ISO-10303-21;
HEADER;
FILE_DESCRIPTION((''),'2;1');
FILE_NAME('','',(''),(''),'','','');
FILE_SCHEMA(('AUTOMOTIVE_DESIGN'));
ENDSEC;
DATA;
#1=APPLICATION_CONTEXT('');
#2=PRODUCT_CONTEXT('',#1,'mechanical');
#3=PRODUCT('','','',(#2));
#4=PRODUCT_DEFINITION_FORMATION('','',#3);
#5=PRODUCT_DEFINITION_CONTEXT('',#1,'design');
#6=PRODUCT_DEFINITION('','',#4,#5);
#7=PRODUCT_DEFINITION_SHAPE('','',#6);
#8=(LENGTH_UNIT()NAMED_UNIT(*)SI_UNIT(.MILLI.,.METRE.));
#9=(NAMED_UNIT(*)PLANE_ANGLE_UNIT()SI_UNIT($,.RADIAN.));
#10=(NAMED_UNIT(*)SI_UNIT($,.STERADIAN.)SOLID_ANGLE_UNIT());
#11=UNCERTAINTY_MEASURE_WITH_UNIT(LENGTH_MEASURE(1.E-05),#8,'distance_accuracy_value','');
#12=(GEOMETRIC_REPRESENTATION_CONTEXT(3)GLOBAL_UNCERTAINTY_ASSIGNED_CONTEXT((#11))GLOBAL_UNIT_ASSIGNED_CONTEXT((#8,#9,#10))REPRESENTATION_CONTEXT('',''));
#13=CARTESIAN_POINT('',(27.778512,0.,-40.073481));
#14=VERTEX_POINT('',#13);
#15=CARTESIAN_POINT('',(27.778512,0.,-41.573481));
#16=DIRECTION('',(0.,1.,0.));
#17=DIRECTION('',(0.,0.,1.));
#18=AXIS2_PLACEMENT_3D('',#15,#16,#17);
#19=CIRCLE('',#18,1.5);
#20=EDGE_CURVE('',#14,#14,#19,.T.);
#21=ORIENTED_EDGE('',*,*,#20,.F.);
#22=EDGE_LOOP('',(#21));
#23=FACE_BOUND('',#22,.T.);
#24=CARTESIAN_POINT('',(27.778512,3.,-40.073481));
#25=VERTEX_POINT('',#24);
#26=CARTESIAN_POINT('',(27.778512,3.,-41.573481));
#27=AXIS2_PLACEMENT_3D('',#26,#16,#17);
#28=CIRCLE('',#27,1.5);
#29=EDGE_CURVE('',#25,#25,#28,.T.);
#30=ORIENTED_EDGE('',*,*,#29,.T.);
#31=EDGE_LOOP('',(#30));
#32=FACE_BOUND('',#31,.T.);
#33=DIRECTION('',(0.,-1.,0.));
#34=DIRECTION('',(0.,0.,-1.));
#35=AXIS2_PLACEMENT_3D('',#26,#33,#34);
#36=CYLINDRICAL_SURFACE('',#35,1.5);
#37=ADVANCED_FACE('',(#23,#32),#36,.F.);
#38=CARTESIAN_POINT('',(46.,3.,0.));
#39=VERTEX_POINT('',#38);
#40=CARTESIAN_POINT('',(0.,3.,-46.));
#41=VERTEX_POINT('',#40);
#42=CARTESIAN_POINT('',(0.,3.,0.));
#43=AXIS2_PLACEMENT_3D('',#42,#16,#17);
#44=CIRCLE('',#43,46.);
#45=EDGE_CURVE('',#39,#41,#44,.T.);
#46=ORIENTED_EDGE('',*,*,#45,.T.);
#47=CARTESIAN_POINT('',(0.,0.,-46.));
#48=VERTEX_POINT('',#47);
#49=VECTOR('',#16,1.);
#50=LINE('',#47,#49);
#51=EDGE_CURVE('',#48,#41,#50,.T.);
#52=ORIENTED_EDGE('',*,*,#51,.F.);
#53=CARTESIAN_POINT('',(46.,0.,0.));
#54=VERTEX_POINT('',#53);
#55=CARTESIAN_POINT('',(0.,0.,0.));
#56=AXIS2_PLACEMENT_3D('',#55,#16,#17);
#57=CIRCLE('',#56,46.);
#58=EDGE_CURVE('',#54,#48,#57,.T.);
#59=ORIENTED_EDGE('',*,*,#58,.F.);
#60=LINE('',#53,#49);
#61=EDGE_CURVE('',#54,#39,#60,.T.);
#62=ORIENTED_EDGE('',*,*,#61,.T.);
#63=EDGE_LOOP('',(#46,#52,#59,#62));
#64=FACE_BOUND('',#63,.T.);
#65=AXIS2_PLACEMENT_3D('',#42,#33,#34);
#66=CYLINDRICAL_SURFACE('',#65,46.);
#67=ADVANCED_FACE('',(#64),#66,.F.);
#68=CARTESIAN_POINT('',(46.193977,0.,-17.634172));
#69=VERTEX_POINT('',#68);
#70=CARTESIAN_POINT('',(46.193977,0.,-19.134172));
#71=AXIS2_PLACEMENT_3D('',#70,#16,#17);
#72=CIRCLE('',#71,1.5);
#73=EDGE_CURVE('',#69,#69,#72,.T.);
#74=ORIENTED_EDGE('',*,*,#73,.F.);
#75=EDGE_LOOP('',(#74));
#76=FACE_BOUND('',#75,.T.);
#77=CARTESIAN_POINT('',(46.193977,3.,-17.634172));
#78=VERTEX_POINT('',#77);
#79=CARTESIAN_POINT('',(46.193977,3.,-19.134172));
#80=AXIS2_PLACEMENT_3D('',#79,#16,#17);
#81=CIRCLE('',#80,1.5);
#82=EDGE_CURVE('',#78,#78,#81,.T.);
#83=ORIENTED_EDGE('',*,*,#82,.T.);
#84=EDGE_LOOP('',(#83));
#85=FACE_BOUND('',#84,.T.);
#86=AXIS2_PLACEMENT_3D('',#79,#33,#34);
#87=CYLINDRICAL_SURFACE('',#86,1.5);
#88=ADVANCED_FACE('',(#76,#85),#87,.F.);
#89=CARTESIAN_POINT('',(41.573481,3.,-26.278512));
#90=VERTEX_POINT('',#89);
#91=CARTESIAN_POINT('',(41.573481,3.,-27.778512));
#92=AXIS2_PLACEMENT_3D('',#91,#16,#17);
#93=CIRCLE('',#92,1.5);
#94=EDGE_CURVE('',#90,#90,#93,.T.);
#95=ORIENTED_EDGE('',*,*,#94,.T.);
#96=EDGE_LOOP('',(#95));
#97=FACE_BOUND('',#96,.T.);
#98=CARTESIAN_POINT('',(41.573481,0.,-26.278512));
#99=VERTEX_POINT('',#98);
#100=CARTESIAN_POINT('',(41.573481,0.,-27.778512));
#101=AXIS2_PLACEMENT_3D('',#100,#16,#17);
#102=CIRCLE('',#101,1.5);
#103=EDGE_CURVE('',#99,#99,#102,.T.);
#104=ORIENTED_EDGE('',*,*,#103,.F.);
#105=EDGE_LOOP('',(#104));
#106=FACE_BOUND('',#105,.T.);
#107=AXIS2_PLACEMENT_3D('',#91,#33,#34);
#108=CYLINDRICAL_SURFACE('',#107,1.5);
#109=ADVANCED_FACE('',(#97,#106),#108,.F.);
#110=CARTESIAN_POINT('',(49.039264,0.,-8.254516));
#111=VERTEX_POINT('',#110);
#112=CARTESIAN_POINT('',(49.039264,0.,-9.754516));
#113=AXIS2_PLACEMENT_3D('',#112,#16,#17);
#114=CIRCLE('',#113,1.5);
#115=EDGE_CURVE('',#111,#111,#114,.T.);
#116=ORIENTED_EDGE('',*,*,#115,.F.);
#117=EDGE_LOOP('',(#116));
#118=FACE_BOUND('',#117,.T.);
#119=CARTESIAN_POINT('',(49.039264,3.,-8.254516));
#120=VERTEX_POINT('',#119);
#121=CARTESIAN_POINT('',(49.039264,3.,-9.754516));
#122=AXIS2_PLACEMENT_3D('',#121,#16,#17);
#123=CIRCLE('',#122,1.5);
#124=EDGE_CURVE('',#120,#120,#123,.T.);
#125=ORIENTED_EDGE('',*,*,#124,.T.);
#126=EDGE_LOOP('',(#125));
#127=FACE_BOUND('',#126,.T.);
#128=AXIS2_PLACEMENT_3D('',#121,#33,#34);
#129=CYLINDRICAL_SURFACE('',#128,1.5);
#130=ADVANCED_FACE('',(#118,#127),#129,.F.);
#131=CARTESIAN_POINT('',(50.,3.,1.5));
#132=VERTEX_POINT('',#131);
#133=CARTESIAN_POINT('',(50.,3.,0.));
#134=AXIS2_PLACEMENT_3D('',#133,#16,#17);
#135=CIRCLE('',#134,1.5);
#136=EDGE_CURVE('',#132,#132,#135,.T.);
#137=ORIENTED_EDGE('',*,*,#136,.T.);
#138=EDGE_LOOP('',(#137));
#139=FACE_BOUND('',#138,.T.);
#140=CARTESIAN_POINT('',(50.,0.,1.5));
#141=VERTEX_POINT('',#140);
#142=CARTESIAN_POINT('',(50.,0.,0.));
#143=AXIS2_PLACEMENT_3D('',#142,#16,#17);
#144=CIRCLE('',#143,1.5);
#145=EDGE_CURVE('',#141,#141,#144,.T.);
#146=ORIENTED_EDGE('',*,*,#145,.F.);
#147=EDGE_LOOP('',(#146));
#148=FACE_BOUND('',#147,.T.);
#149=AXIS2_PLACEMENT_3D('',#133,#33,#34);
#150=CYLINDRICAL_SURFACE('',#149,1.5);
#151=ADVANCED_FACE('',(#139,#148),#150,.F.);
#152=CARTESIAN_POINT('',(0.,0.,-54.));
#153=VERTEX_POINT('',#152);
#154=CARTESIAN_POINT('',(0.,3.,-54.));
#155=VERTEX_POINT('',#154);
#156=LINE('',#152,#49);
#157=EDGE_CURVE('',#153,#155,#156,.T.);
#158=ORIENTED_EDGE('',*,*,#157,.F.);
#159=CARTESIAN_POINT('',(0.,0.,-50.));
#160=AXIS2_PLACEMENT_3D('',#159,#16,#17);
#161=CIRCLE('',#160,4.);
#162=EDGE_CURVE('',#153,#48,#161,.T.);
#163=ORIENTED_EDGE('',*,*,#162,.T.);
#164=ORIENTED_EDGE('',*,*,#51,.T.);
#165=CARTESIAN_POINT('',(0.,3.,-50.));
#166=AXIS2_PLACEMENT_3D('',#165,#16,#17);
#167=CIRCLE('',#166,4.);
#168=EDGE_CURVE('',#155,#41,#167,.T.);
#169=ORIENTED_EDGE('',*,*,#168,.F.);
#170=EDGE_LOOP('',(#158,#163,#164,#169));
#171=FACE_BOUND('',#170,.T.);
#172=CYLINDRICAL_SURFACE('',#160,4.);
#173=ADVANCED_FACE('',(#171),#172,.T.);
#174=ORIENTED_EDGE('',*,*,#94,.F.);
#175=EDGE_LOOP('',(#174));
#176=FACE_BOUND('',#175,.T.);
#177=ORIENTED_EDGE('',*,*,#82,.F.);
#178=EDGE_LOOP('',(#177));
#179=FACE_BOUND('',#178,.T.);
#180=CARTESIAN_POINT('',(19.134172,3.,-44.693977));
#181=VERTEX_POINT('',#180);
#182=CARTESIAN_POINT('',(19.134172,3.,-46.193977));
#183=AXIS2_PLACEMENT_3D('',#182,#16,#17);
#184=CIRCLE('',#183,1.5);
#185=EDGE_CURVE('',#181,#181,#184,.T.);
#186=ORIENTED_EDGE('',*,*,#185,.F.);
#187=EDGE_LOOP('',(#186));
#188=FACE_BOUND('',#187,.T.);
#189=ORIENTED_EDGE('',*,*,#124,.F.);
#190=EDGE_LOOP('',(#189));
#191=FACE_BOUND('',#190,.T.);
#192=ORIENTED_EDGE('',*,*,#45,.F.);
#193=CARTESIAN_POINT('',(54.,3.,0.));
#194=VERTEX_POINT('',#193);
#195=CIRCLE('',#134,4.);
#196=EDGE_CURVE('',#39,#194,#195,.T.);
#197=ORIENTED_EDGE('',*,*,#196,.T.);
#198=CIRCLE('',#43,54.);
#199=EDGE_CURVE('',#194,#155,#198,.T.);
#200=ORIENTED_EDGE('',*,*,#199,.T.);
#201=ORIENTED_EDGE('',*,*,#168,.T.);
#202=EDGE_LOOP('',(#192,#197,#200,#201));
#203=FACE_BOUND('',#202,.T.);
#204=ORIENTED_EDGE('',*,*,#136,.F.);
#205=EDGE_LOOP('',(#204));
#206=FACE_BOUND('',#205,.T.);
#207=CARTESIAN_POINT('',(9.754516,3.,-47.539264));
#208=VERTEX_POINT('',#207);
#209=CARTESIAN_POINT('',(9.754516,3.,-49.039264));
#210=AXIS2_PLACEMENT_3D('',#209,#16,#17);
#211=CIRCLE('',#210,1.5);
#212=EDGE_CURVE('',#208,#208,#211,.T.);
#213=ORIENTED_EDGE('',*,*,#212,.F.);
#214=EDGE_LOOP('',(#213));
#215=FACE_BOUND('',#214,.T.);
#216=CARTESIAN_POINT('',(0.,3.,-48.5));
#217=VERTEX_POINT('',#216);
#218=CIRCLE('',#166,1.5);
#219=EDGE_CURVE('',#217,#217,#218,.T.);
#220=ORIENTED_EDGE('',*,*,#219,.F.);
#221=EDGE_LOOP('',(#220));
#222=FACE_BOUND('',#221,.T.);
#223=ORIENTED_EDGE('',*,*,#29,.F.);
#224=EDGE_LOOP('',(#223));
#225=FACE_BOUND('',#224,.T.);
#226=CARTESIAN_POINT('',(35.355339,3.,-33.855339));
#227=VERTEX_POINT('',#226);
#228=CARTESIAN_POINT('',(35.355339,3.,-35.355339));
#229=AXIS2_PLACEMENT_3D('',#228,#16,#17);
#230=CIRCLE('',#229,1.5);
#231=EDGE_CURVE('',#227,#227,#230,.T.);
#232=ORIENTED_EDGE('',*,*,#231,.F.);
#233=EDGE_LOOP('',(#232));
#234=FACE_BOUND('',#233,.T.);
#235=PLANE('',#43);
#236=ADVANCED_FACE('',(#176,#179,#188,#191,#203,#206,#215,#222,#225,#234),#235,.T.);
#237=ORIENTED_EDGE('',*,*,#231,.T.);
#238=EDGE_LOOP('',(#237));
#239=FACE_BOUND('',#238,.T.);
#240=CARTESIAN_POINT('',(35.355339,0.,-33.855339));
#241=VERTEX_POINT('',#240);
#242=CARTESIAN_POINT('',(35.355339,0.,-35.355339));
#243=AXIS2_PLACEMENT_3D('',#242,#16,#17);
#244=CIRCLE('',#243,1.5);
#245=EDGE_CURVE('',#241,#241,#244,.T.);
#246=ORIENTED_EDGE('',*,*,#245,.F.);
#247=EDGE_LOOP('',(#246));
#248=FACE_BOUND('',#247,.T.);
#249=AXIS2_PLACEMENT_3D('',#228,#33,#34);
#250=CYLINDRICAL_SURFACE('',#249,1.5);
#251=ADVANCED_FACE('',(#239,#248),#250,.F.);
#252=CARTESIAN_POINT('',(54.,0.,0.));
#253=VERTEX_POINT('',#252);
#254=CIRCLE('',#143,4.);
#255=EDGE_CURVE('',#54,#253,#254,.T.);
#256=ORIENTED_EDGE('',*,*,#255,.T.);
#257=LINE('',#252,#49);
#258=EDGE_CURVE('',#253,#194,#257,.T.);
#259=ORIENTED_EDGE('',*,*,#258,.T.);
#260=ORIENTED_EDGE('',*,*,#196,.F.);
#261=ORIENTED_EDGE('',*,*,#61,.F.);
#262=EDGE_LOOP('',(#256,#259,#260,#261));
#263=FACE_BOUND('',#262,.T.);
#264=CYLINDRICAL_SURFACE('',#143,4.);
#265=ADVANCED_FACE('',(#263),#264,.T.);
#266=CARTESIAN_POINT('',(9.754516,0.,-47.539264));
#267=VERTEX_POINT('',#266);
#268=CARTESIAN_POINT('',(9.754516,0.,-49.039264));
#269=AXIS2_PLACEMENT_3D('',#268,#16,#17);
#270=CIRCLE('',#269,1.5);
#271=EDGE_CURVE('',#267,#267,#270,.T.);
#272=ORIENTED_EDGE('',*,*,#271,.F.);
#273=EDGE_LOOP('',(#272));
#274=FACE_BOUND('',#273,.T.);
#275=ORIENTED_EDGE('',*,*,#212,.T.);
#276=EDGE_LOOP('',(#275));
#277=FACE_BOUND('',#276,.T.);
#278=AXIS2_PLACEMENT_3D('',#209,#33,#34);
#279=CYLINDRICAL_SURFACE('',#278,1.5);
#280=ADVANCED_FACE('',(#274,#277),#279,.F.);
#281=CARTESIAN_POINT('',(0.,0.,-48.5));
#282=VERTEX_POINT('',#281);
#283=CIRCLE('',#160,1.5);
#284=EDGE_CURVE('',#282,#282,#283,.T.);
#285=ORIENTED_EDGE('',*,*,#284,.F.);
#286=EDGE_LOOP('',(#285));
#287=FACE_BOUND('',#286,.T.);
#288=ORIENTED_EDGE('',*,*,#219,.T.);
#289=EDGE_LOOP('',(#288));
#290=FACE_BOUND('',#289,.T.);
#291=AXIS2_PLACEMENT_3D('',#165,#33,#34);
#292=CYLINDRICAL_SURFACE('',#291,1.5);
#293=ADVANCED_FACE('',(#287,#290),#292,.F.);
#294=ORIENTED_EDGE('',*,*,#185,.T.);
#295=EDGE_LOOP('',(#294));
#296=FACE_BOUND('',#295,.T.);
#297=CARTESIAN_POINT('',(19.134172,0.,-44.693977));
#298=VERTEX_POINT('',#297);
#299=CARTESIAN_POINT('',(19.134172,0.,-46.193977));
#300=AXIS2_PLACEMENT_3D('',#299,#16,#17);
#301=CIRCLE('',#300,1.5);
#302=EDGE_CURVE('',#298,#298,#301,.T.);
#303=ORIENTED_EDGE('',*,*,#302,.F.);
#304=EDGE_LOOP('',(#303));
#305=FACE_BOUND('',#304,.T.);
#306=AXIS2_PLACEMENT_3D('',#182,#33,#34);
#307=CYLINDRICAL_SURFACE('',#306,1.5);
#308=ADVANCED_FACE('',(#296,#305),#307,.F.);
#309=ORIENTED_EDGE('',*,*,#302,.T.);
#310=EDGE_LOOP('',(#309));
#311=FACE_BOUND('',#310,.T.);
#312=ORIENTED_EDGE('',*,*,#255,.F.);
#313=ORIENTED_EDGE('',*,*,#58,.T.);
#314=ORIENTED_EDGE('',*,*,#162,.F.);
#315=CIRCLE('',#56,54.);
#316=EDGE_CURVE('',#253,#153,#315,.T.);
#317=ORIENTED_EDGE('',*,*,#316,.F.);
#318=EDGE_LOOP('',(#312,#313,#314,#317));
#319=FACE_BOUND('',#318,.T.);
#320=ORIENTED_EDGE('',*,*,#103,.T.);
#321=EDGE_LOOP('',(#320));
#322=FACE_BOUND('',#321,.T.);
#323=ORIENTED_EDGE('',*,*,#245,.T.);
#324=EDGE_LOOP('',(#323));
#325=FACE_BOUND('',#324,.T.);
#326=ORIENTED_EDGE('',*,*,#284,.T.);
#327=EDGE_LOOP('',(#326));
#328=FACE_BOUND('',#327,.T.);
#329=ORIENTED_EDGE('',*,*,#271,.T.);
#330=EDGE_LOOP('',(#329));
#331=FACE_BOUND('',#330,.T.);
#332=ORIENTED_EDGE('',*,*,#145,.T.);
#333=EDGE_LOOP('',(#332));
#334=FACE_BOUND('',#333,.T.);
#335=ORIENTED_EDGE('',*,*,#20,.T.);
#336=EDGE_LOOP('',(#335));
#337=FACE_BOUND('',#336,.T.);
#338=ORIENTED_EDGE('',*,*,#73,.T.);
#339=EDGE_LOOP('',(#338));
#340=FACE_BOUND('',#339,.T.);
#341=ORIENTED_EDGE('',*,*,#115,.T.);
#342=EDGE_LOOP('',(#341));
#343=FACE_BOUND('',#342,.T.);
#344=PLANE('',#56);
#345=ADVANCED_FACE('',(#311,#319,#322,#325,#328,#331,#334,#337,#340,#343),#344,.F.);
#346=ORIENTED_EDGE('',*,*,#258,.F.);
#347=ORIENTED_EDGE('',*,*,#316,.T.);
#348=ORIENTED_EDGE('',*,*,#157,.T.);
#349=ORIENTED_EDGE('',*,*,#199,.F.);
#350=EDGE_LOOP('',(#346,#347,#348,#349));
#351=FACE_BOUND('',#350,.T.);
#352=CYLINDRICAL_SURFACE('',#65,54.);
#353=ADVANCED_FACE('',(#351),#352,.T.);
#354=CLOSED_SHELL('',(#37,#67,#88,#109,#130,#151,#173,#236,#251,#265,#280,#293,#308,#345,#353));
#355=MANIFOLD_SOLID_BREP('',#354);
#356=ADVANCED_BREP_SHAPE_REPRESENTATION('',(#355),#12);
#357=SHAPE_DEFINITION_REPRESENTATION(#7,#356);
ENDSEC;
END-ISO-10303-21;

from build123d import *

# Parameters (mm, degrees)
SKETCH1_R           = 1.5
BOSS_EXTRUDE1_DEPTH = 3
CUT_EXTRUDE1_START  = -3
CUT_EXTRUDE1_DEPTH  = 3


with BuildPart() as part:
    # Sketch1 → Boss-Extrude1 (new body)
    with BuildSketch(Plane(origin=(0, 0, 0), x_dir=(1, 0, 0), z_dir=(0, 1, 0))):
        with BuildLine():
            Line((-5.292925578, 53.73997524), (-4.508788455, 45.778497427))
            ThreePointArc((-4.508788455, 45.778497427), (-2.257113019, 45.944590985), (0, 46))
            ThreePointArc((0, 46), (32.526911935, 32.526911935), (46, 0))
            ThreePointArc((46, 0), (45.944590985, -2.257113019), (45.778497427, -4.508788455))
            Line((45.778497427, -4.508788455), (53.73997524, -5.292925578))
            ThreePointArc((53.73997524, -5.292925578), (53.934954635, -2.649654414), (54, 0))
            ThreePointArc((54, 0), (36.264183562, 40.011360769), (-5.292925578, 53.73997524))
        make_face()
        with Locations(Location((50, 0, 0), (0, 0, 270))):
            Circle(SKETCH1_R, mode=Mode.SUBTRACT)
        with Locations(Location((49.03926402, 9.754516101, 0), (0, 0, 270))):
            Circle(SKETCH1_R, mode=Mode.SUBTRACT)
        with Locations(Location((46.193976626, 19.134171618, 0), (0, 0, 270))):
            Circle(SKETCH1_R, mode=Mode.SUBTRACT)
        with Locations(Location((0, 50, 0), (0, 0, 270))):
            Circle(SKETCH1_R, mode=Mode.SUBTRACT)
        with Locations(Location((9.754516101, 49.03926402, 0), (0, 0, 270))):
            Circle(SKETCH1_R, mode=Mode.SUBTRACT)
        with Locations(Location((19.134171618, 46.193976626, 0), (0, 0, 270))):
            Circle(SKETCH1_R, mode=Mode.SUBTRACT)
        with Locations(Location((35.355339059, 35.355339059, 0), (0, 0, 270))):
            Circle(SKETCH1_R, mode=Mode.SUBTRACT)
        with Locations(Location((41.573480615, 27.778511651, 0), (0, 0, 270))):
            Circle(SKETCH1_R, mode=Mode.SUBTRACT)
        with Locations(Location((27.778511651, 41.573480615, 0), (0, 0, 270))):
            Circle(SKETCH1_R, mode=Mode.SUBTRACT)
    extrude(amount=BOSS_EXTRUDE1_DEPTH)

    # Sketch2 → Cut-Extrude1 (cut)
    with BuildSketch(Plane(origin=(0, 3, 0), x_dir=(1, 0, 0), z_dir=(0, 1, 0)).offset(CUT_EXTRUDE1_START)):
        with BuildLine():
            ThreePointArc((1e-08, 46), (-4, 50.000000016), (4.3e-08, 54))
            ThreePointArc((4.3e-08, 54), (-2.649654392, 53.934954636), (-5.292925578, 53.73997524))
            Line((-5.292925578, 53.73997524), (-4.508788455, 45.778497427))
            ThreePointArc((-4.508788455, 45.778497427), (-2.257113014, 45.944590986), (1e-08, 46))
        make_face()
        with BuildLine():
            ThreePointArc((53.73997524, -5.292925578), (53.934954635, -2.649654414), (54, 0))
            ThreePointArc((54, 0), (49.999999885, -4), (46, 2.31e-07))
            ThreePointArc((46, 2.31e-07), (45.944590991, -2.257112904), (45.778497427, -4.508788455))
            Line((45.778497427, -4.508788455), (53.73997524, -5.292925578))
        make_face()
    extrude(amount=CUT_EXTRUDE1_DEPTH, mode=Mode.SUBTRACT)


solid = part.part
